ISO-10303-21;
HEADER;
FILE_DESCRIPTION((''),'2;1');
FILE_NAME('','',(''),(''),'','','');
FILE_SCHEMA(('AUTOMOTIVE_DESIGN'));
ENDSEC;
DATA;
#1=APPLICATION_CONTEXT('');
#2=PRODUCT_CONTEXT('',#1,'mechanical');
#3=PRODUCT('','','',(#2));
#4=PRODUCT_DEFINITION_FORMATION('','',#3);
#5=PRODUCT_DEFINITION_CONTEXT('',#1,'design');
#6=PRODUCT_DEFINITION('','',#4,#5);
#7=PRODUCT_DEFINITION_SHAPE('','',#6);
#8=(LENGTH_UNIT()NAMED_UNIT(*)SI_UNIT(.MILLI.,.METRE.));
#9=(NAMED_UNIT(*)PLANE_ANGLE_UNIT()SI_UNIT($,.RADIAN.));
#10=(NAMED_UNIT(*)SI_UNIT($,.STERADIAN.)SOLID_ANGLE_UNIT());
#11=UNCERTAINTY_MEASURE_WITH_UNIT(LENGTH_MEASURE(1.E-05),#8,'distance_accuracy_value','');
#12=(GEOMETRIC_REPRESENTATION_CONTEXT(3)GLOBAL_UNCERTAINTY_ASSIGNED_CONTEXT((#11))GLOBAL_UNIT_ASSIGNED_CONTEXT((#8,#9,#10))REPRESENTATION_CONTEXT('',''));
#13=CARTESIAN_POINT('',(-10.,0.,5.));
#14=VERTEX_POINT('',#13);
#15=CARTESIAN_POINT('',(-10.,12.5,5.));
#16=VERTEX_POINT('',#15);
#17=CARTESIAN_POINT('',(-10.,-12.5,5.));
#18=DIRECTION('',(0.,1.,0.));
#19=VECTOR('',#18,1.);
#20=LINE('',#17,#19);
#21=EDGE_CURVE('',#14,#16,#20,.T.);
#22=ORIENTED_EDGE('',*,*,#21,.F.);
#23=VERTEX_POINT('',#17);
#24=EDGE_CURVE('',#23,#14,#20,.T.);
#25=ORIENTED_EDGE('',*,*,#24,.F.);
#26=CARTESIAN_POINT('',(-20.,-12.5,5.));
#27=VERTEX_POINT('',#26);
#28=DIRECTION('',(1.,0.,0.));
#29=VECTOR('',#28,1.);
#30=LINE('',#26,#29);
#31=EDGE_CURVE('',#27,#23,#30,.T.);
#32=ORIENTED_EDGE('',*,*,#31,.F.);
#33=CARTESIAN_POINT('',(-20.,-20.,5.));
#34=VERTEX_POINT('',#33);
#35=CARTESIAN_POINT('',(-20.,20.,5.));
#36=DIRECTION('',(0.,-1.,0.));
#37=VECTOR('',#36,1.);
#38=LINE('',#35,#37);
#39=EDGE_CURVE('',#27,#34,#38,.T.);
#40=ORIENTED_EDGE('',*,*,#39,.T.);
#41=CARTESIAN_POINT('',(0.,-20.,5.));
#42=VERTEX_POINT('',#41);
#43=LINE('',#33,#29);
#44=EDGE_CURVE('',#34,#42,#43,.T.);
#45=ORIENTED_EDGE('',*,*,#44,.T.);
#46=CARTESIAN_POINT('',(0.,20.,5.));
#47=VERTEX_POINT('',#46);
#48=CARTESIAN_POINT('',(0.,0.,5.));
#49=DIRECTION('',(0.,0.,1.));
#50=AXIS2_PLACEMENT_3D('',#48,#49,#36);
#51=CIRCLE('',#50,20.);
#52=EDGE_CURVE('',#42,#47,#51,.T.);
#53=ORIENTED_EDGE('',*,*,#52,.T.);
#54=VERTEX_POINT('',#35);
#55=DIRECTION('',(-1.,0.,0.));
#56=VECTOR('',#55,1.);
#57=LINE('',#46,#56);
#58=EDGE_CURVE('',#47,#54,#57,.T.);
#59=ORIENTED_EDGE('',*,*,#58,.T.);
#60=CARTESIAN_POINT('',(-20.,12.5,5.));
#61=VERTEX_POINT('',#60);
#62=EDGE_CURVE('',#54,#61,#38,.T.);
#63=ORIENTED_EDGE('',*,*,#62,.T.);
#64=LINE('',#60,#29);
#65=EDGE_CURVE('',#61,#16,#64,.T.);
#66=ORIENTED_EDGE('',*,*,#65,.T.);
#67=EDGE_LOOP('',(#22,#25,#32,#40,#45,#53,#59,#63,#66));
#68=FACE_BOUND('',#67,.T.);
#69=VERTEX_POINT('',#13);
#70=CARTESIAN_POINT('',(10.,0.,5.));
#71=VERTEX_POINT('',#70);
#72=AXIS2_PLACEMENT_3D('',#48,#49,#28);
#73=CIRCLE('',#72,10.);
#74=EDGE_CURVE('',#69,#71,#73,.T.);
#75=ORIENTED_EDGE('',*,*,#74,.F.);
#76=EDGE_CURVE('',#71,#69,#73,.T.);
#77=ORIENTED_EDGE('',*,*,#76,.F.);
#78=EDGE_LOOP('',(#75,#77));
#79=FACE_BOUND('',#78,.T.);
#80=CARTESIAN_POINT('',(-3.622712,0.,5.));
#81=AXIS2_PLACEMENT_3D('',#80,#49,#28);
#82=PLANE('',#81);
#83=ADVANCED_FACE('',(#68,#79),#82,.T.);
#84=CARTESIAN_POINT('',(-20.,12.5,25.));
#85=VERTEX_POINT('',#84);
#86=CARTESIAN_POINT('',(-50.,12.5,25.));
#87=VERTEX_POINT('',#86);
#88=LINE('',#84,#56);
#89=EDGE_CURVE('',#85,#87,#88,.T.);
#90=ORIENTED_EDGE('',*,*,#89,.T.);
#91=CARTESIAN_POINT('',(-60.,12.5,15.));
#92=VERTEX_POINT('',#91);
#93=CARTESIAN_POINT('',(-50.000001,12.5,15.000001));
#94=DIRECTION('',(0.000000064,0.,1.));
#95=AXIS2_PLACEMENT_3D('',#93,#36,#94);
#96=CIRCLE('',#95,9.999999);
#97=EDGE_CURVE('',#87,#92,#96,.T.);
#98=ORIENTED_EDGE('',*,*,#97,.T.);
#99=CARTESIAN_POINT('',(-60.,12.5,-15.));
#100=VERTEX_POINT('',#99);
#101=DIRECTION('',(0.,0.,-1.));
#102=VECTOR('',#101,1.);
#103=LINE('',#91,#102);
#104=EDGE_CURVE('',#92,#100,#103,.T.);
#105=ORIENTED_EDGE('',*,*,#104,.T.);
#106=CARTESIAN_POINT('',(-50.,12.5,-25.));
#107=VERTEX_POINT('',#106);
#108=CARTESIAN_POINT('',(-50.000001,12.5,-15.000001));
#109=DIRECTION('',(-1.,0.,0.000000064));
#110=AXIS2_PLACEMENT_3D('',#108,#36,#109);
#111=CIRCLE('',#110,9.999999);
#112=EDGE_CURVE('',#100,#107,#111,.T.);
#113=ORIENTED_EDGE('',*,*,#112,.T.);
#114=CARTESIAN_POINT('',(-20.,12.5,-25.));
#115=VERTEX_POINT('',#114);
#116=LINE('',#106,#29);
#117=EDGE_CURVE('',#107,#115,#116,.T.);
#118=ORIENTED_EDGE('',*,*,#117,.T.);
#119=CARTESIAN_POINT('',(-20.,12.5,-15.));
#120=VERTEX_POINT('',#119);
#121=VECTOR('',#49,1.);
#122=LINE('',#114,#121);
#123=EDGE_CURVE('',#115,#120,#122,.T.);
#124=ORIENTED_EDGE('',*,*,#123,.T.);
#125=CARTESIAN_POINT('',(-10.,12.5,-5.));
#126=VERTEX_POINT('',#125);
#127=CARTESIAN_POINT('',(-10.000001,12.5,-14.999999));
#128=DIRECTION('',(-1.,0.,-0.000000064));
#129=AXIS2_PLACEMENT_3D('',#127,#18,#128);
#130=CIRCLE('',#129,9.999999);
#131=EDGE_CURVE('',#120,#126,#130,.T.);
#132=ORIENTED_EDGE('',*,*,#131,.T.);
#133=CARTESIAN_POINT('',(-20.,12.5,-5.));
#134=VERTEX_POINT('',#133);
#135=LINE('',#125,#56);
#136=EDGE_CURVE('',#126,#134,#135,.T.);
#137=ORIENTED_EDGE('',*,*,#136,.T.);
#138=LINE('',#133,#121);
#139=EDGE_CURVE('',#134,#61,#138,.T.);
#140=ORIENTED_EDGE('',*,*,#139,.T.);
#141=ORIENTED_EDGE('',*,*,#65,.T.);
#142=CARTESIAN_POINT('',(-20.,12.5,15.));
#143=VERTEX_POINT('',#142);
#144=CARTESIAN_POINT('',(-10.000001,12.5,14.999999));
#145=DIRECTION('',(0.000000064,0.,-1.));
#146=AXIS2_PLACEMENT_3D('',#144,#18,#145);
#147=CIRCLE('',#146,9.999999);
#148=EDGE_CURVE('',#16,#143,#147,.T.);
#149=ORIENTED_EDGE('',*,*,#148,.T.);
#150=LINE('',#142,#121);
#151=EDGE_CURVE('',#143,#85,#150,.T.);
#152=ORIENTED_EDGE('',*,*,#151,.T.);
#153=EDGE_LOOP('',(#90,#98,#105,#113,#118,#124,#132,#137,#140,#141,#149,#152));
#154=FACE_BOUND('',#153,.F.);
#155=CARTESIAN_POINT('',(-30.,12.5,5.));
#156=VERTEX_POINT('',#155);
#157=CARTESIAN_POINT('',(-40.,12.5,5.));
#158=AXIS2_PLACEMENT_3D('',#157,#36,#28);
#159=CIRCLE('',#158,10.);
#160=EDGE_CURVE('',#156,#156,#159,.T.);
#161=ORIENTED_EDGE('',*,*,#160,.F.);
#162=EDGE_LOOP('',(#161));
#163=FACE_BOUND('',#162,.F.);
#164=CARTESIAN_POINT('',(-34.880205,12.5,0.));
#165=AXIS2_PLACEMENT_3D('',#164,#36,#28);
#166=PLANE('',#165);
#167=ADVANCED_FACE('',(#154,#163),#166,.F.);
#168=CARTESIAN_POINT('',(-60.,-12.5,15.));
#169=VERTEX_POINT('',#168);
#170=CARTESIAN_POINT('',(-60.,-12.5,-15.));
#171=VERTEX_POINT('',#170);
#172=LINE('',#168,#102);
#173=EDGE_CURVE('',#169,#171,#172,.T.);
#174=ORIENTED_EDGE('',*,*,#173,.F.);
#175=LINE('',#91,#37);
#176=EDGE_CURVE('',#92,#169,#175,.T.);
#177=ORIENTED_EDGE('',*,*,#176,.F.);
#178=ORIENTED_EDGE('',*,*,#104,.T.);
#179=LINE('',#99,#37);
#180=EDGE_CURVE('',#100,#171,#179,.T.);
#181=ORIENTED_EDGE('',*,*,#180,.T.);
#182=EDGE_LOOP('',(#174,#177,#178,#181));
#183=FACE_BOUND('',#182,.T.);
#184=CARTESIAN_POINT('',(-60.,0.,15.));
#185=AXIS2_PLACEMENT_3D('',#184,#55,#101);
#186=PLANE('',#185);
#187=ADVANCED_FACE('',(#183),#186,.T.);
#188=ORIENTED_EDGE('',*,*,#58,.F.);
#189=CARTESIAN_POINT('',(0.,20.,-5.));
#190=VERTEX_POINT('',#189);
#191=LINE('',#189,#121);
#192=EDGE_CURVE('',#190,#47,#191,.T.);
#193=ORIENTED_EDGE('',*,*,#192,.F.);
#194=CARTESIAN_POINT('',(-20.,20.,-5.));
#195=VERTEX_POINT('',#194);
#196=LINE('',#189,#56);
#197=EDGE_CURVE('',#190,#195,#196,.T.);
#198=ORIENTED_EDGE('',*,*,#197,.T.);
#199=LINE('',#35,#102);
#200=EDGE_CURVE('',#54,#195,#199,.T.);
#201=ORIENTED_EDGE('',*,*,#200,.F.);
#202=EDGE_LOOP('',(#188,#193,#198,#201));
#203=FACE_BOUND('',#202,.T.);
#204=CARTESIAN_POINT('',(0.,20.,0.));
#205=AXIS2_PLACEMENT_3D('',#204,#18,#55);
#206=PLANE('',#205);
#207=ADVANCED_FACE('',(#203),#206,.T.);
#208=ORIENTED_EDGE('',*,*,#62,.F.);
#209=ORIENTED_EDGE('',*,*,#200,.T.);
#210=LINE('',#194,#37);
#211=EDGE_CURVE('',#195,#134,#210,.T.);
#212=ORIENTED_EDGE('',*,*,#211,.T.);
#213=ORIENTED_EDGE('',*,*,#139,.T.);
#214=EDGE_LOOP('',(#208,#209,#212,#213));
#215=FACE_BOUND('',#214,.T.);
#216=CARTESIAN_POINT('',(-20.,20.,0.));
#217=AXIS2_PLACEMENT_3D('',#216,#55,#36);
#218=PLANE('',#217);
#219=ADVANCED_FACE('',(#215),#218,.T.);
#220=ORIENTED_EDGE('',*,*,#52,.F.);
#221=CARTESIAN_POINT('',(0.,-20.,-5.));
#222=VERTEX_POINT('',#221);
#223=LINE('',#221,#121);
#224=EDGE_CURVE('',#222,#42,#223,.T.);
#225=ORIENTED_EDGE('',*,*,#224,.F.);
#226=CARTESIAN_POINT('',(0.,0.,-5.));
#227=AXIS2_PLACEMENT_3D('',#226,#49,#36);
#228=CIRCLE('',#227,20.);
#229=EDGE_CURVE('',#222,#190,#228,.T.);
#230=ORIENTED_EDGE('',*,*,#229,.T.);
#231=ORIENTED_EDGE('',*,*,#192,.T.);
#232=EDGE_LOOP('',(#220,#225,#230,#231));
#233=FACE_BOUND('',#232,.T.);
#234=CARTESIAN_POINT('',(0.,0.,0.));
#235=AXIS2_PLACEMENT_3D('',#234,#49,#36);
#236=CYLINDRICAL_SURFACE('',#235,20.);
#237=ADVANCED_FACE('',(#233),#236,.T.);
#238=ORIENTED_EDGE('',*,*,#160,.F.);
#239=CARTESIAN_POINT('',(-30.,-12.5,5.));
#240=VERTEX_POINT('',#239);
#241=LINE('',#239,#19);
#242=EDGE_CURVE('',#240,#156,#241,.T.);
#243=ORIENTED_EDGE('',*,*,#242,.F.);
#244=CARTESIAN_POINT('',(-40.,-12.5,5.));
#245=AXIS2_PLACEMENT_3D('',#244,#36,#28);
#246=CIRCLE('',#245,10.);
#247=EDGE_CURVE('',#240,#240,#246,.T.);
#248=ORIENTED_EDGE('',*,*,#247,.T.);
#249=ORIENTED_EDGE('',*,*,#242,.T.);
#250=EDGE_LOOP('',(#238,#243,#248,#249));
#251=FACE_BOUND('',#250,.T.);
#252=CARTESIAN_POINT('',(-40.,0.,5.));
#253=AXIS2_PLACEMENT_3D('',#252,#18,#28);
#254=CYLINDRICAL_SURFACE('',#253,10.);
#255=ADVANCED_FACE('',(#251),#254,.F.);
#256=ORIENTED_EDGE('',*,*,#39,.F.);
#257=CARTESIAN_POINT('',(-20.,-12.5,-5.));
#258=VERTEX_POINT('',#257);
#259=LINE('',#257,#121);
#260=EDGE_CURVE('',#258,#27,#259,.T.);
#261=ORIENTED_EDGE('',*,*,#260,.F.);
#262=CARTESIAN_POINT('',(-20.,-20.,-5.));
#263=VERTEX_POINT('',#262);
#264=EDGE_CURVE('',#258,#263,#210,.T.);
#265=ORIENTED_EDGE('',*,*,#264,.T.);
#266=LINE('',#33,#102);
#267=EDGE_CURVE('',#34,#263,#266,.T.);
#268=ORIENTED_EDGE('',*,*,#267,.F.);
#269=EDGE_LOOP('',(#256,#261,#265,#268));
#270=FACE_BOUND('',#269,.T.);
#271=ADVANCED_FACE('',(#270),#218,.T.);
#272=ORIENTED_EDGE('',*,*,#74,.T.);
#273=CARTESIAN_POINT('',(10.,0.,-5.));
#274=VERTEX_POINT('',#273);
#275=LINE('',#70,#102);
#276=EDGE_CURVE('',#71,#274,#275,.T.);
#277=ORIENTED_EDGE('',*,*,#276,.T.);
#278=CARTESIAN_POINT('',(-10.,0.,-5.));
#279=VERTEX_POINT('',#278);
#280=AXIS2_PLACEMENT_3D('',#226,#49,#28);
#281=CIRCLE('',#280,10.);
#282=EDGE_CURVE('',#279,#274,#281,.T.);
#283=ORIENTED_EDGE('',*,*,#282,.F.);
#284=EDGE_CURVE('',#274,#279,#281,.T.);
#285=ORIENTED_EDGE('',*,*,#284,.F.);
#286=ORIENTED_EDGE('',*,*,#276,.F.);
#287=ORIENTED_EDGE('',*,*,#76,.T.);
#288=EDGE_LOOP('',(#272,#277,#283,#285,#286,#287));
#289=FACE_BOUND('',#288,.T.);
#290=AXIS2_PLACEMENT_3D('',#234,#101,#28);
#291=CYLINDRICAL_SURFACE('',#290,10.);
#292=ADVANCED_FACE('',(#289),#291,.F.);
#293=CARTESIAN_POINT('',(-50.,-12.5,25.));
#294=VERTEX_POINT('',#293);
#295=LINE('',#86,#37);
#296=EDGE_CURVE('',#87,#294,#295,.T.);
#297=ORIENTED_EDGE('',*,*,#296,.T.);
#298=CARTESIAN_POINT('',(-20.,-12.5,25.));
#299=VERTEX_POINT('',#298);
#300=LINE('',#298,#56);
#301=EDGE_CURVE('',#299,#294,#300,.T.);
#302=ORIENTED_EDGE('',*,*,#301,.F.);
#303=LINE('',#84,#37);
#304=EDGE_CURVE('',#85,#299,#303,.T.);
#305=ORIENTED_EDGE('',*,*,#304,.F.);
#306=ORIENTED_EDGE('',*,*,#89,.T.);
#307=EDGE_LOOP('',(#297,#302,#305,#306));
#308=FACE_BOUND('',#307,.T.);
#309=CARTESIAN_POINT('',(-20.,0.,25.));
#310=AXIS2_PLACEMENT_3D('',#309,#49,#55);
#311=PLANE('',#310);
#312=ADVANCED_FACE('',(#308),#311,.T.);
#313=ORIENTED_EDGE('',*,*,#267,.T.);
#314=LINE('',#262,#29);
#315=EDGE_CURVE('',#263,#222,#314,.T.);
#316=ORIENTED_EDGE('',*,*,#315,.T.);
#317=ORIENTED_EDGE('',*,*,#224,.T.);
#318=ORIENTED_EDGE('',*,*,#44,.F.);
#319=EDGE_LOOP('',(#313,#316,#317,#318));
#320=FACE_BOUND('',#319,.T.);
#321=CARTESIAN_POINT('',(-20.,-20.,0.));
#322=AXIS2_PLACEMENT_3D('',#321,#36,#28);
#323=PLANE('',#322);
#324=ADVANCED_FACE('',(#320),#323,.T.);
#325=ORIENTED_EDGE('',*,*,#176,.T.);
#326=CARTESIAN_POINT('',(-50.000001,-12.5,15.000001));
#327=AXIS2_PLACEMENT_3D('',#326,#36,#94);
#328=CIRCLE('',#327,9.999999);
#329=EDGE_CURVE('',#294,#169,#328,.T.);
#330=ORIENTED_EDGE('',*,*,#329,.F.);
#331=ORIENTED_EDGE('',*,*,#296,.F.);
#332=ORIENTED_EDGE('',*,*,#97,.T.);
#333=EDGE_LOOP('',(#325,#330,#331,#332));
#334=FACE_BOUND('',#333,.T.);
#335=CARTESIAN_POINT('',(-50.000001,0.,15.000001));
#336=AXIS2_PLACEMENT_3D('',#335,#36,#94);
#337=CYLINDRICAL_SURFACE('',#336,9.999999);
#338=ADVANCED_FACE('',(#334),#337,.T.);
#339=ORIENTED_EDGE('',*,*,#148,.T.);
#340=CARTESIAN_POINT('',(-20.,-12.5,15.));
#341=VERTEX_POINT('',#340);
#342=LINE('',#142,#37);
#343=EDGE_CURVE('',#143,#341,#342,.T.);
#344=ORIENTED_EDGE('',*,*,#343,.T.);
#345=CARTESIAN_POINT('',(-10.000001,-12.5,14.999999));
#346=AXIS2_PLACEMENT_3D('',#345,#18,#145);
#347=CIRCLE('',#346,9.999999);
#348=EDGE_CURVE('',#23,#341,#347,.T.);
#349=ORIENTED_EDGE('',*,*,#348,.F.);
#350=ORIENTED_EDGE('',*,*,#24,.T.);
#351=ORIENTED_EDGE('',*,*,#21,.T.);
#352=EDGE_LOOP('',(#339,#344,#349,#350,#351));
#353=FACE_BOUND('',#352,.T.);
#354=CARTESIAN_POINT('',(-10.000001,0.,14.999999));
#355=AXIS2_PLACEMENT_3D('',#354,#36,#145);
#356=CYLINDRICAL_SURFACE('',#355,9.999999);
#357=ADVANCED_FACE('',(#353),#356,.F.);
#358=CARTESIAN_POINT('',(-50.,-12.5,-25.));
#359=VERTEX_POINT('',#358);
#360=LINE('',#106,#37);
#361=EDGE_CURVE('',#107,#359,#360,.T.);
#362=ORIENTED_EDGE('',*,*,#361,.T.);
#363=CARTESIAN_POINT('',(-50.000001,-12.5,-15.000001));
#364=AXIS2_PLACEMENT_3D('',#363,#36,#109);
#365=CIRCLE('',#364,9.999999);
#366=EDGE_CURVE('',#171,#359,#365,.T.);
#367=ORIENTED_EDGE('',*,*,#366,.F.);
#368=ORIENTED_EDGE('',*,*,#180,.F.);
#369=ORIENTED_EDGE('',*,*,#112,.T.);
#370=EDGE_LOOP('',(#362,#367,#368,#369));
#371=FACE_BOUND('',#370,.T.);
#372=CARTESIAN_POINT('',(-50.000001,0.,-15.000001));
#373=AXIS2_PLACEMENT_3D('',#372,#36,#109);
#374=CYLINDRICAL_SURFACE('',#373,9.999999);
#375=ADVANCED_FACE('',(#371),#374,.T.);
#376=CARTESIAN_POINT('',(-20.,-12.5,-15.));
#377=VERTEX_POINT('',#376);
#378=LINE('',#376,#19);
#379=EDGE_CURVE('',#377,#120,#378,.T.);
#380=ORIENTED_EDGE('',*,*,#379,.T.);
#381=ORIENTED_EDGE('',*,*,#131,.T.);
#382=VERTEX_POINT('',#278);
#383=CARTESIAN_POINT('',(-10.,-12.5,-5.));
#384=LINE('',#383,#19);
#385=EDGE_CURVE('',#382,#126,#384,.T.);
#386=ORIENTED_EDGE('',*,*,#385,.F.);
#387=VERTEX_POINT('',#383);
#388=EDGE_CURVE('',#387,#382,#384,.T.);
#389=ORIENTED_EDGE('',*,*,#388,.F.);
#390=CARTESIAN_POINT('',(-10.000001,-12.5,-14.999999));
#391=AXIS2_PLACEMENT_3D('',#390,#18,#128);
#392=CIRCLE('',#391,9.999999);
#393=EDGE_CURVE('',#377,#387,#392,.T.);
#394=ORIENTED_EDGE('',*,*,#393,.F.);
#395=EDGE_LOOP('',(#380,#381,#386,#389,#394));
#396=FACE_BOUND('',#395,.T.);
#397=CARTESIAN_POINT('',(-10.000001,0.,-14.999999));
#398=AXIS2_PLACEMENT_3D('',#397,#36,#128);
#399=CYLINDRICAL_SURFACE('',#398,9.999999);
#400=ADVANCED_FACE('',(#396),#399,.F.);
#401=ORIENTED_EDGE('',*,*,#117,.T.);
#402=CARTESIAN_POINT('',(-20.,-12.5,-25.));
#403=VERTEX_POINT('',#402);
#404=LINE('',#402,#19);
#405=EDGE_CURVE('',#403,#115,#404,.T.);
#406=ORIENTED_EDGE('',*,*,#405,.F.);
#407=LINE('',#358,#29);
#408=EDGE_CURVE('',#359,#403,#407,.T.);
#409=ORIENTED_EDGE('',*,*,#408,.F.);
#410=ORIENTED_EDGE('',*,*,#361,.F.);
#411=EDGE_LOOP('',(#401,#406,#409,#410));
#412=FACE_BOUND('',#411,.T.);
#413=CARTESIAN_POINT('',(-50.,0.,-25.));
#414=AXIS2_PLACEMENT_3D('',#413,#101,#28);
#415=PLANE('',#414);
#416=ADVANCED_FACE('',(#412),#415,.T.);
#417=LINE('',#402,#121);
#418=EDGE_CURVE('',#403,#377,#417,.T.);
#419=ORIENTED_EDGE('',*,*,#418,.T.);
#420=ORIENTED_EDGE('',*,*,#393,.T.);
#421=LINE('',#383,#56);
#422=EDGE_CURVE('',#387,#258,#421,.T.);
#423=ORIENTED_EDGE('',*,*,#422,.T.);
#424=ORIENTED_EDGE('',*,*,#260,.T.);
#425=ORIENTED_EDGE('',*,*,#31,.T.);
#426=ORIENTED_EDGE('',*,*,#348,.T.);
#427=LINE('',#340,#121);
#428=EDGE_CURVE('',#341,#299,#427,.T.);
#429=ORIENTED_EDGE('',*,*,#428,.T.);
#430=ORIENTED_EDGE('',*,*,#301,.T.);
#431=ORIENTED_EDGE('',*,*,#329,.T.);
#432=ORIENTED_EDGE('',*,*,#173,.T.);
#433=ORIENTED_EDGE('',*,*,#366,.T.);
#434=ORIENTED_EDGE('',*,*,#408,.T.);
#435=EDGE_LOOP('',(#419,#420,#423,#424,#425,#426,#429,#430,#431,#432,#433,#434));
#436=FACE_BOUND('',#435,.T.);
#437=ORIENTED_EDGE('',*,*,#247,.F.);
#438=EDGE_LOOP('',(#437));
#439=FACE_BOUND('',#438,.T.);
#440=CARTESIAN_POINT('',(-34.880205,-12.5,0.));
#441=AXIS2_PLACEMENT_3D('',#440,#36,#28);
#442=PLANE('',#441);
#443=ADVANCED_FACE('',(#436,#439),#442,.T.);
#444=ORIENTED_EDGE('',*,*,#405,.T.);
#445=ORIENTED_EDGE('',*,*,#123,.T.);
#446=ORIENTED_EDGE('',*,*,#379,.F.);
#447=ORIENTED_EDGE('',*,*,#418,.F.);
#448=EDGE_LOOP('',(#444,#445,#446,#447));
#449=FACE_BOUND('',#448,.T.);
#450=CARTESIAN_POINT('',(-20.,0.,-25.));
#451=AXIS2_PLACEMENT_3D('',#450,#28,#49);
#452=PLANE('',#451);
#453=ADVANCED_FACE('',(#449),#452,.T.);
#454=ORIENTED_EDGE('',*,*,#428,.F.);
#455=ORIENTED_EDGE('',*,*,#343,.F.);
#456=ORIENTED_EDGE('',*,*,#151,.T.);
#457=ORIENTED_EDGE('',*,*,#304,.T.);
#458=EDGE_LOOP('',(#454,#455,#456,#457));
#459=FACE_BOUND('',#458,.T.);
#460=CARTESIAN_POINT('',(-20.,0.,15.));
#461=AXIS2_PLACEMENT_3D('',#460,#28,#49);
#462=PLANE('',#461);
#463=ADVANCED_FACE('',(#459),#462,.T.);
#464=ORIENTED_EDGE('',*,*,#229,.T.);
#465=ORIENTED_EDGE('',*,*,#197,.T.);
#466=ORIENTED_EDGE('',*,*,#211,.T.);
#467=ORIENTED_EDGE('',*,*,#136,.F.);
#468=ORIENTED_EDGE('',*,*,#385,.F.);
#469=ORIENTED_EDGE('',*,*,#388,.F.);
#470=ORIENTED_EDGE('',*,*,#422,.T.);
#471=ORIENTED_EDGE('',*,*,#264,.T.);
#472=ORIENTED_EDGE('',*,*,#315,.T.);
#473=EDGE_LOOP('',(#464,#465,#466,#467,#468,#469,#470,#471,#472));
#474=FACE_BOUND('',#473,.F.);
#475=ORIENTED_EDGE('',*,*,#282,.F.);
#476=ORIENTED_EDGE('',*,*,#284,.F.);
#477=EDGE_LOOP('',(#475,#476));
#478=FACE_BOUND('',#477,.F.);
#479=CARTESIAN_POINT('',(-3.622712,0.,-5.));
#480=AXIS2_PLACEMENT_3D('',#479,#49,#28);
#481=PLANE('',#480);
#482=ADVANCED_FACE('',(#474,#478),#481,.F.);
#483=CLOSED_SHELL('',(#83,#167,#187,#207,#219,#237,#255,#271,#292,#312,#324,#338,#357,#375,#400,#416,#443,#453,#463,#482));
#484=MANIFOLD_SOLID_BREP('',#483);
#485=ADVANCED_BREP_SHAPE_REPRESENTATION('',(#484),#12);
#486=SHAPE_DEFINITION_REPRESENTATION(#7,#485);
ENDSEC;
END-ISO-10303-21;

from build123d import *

# Parameters (mm, degrees)
F0_R     = 10
F1_DEPTH = 5
F2_R     = 10
F3_DEPTH = 12.5


with BuildPart() as f1:
    # F0 (on Top) → F1 (new body, symmetric)
    with BuildSketch(Plane.XY):
        with BuildLine():
            Line((-20, -20), (0, -20))
            ThreePointArc((0, -20), (20, 0), (0, 20))
            Line((0, 20), (-20, 20))
            Line((-20, 20), (-20, -20))
        make_face()
        Circle(F0_R, mode=Mode.SUBTRACT)
    extrude(amount=F1_DEPTH, both=True)

    # F2 (on Front) → F3 (join, symmetric)
    with BuildSketch(Plane.XZ):
        with BuildLine():
            ThreePointArc((-10, 5), (-17.071068, 7.928932), (-20, 15))
            Line((-20, 15), (-20, 25))
            Line((-20, 25), (-50, 25))
            ThreePointArc((-50, 25), (-57.071068, 22.071068), (-60, 15))
            Line((-60, 15), (-60, -15))
            ThreePointArc((-60, -15), (-57.071068, -22.071068), (-50, -25))
            Line((-50, -25), (-20, -25))
            Line((-20, -25), (-20, -15))
            ThreePointArc((-20, -15), (-17.071068, -7.928932), (-10, -5))
            Line((-10, -5), (-20, -5))
            Line((-20, -5), (-20, 5))
            Line((-20, 5), (-10, 5))
        make_face()
        with Locations((-40, 5)):
            Circle(F2_R, mode=Mode.SUBTRACT)
    extrude(amount=F3_DEPTH, both=True)


solid = f1.part
